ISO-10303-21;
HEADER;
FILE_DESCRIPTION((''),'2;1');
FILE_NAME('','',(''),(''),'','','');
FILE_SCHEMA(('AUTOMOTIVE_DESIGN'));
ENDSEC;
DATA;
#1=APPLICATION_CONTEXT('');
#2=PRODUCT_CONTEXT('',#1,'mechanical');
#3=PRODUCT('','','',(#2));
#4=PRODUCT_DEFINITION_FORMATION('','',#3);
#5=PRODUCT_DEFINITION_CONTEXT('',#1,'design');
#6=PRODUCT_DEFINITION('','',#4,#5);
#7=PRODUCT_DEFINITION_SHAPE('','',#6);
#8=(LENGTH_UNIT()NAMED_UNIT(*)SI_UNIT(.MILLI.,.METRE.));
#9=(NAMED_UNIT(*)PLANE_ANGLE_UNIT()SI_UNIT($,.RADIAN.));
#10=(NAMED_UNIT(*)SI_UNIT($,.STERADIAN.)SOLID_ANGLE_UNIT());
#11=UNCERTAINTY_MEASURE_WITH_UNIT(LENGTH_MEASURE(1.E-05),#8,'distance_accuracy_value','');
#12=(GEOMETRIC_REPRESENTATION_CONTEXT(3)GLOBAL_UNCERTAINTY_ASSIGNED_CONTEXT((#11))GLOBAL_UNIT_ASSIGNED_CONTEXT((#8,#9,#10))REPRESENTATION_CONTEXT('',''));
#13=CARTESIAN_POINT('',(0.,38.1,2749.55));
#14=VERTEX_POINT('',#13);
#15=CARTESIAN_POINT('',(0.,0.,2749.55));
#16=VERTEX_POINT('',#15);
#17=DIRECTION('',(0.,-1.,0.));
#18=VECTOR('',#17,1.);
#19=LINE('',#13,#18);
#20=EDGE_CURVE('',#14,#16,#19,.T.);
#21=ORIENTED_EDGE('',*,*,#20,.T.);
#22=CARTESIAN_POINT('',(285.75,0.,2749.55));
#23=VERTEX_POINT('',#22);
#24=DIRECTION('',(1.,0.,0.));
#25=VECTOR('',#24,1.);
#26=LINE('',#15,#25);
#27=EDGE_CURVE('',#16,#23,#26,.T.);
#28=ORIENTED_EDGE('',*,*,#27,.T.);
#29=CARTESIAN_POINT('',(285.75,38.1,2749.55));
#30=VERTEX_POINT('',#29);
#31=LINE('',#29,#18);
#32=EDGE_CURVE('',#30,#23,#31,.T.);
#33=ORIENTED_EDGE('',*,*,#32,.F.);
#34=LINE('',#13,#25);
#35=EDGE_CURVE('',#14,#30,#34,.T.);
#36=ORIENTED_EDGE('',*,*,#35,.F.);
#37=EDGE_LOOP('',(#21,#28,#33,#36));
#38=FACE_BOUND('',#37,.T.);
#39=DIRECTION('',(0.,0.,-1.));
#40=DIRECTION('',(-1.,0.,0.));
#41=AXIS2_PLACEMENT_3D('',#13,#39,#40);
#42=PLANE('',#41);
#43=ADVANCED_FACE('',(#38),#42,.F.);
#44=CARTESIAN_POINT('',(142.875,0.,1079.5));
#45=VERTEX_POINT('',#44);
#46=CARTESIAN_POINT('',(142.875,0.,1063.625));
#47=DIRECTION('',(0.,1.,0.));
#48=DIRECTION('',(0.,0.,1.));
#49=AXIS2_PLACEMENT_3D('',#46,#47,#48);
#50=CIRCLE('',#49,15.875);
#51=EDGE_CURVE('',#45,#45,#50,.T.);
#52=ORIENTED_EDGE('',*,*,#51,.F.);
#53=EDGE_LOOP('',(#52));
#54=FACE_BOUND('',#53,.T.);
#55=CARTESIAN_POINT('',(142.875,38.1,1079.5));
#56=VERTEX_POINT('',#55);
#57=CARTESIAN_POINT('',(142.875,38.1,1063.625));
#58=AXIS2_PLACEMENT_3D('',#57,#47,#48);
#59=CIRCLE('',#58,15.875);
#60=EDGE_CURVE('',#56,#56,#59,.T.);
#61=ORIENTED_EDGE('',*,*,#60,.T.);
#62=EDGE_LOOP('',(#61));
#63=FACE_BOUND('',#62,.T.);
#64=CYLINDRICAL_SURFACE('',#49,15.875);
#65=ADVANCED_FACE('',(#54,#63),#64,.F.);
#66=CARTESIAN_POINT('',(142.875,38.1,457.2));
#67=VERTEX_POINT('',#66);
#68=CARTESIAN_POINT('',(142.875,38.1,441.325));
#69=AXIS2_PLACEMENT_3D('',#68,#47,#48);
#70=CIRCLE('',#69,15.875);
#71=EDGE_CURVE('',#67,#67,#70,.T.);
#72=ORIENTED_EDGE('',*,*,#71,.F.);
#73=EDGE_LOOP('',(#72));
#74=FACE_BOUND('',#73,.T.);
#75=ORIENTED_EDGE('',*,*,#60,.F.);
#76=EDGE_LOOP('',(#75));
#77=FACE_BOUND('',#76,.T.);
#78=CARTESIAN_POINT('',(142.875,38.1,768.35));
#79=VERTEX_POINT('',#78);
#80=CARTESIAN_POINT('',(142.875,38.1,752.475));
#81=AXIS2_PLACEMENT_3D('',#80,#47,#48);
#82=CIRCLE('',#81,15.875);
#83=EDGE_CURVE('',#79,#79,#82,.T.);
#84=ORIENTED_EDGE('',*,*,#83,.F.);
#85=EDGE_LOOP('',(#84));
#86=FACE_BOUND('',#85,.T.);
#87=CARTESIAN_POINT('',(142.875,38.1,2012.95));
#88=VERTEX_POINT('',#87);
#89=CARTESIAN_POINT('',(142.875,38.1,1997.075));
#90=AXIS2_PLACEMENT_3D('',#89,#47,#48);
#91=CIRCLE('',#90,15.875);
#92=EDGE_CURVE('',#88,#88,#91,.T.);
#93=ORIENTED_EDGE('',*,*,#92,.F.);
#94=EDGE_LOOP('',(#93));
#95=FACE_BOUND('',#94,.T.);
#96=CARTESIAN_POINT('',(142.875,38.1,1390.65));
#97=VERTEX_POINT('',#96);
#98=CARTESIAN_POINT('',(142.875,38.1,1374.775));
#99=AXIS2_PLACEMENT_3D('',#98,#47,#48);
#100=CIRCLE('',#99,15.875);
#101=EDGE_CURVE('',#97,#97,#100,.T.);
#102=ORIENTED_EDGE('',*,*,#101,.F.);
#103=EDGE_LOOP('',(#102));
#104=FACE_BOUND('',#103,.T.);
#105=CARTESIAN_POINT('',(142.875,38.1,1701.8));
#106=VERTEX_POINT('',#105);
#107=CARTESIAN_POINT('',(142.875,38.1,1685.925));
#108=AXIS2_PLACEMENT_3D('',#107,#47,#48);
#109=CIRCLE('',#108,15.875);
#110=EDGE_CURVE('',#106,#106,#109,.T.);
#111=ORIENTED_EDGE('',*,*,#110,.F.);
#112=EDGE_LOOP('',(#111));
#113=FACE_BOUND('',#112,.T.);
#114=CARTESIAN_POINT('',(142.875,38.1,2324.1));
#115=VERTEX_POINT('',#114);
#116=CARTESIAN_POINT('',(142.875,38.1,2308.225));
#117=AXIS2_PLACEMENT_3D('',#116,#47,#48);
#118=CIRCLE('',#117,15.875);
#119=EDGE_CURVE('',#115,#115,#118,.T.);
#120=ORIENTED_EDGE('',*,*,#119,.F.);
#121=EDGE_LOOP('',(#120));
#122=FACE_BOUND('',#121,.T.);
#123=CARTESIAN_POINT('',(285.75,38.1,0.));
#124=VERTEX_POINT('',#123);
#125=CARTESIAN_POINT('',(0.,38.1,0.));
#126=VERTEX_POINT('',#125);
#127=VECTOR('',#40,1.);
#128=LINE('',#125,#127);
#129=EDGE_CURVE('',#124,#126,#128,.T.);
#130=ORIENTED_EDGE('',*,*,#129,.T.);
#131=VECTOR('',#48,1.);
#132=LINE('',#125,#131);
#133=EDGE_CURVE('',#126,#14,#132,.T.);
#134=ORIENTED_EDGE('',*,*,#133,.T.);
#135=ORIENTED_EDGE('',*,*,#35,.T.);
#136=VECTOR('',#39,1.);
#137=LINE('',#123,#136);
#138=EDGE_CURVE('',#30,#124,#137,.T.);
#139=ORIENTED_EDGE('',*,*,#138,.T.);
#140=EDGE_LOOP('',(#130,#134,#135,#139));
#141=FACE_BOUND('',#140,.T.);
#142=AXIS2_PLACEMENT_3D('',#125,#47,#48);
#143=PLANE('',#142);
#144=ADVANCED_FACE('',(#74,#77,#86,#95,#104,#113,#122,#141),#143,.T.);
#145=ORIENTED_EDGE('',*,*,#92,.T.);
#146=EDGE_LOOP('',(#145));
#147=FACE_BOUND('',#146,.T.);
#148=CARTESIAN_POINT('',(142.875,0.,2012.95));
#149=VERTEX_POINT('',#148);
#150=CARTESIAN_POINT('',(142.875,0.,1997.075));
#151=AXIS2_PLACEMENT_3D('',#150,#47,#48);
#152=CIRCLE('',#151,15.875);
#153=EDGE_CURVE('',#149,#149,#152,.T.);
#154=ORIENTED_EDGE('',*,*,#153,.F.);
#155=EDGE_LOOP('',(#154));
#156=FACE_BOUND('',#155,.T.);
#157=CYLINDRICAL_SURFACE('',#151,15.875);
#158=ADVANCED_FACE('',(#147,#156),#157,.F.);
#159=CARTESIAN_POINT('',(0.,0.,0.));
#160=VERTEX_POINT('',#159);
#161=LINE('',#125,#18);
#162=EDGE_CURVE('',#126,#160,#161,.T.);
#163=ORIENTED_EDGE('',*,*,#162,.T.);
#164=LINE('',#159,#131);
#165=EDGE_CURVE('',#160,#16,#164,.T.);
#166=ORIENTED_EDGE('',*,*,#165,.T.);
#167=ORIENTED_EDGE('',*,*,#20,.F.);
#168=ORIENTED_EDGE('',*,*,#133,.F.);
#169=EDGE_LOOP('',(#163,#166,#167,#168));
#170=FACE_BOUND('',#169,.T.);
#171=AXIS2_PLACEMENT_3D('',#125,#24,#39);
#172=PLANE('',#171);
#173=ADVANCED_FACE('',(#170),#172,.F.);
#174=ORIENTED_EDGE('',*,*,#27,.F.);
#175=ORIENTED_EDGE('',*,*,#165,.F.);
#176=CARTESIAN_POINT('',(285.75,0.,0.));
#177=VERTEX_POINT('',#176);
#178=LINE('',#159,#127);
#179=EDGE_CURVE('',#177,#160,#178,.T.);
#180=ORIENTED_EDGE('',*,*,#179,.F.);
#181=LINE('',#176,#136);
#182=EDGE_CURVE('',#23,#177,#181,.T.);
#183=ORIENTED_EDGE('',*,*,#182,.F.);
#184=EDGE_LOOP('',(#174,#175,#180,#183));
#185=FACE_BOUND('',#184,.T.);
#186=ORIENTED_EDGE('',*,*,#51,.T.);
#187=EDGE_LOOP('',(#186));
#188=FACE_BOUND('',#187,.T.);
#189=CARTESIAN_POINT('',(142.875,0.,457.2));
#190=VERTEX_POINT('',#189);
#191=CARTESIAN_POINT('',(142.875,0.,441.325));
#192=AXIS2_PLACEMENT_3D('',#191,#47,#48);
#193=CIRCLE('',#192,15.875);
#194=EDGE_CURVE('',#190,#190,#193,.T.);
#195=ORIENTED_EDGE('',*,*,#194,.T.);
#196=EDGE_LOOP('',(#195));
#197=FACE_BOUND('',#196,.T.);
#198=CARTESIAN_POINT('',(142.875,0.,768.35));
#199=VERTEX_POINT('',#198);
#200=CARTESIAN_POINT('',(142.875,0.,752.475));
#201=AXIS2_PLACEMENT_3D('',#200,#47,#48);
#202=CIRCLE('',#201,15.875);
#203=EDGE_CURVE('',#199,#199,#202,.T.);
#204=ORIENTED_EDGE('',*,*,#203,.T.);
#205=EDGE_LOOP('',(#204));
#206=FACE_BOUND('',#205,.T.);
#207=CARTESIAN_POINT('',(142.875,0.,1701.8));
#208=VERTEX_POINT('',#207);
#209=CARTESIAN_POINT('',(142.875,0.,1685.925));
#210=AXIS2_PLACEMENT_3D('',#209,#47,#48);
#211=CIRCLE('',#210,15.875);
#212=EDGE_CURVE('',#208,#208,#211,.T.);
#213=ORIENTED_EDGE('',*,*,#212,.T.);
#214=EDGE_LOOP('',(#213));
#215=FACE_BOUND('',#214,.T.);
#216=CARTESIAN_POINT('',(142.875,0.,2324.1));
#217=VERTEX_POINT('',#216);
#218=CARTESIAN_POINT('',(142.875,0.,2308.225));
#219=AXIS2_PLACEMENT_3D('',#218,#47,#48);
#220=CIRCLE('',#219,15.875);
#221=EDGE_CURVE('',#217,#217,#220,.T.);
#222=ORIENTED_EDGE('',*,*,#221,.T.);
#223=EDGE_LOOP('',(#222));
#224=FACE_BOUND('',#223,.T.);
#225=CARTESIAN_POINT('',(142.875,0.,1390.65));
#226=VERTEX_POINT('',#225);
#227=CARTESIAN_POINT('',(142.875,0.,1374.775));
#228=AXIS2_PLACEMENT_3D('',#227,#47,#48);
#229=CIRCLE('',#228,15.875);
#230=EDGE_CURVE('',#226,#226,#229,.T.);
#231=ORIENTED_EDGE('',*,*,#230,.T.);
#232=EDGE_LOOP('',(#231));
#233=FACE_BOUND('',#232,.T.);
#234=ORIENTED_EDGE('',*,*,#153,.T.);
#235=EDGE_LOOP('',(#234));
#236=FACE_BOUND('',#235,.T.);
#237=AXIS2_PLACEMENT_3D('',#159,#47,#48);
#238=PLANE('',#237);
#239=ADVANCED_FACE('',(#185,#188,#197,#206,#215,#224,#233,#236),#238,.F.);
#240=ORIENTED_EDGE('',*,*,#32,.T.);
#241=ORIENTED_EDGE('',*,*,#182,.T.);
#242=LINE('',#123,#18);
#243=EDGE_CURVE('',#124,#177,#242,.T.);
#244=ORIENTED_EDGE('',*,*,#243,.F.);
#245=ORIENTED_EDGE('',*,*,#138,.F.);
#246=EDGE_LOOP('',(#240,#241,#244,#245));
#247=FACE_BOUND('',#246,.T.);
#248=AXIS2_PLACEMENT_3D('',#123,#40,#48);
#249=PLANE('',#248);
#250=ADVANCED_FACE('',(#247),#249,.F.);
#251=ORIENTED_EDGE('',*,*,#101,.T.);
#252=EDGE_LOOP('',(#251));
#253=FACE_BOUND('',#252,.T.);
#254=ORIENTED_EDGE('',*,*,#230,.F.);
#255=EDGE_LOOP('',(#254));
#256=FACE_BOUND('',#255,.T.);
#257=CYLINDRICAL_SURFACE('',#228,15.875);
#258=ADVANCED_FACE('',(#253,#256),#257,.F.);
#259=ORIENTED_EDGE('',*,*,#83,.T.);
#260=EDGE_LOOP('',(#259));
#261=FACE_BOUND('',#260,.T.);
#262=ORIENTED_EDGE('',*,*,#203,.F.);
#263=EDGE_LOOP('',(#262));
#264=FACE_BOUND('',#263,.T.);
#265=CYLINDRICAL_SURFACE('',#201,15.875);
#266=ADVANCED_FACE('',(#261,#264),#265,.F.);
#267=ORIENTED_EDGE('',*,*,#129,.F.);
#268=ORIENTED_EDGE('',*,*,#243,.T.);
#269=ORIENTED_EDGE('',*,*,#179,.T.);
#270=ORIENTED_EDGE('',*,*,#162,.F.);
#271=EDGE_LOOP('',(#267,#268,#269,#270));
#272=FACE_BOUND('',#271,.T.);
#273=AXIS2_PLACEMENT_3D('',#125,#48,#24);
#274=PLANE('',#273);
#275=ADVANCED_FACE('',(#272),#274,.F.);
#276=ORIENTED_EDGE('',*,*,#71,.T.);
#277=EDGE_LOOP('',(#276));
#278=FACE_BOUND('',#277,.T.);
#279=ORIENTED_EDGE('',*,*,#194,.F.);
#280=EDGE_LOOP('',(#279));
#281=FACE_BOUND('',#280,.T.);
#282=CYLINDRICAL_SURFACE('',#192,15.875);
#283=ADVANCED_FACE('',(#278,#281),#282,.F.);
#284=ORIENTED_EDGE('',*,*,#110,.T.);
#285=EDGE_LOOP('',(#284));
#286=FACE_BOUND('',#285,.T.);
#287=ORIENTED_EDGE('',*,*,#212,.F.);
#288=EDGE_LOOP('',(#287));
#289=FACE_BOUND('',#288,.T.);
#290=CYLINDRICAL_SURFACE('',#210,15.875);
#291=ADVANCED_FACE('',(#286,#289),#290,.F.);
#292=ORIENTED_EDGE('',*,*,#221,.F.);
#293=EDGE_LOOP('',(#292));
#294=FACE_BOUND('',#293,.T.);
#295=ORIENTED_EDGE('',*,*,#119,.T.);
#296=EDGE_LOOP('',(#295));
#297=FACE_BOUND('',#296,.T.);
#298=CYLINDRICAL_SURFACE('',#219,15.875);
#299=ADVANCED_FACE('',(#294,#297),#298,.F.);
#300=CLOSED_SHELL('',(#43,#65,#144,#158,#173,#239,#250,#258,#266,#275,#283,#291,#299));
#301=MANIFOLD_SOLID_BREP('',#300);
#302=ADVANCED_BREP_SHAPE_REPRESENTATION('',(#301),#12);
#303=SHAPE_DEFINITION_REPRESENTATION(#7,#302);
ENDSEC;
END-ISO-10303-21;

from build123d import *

# Parameters (mm, degrees)
SKETCH1_W           = 285.75
SKETCH1_H           = 2749.55
BOSS_EXTRUDE1_DEPTH = 38.1
SKETCH3_R           = 15.875
CUT_EXTRUDE1_DEPTH  = 39.1


with BuildPart() as part:
    # Sketch1 → Boss-Extrude1 (new body)
    with BuildSketch(Plane(origin=(0, 0, 0), x_dir=(1, 0, 0), z_dir=(0, 1, 0))):
        with Locations((142.875, -1374.775)):
            Rectangle(SKETCH1_W, SKETCH1_H)
    extrude(amount=BOSS_EXTRUDE1_DEPTH)

    # Sketch3 → Cut-Extrude1 (cut, through all)
    with BuildSketch(Plane(origin=(0, 38.1, 0), x_dir=(1, 0, 0), z_dir=(0, 1, 0))):
        with Locations((142.875, -2308.225)):
            Circle(SKETCH3_R)
        with Locations((142.875, -1997.075)):
            Circle(SKETCH3_R)
        with Locations((142.875, -1685.925)):
            Circle(SKETCH3_R)
        with Locations((142.875, -1374.775)):
            Circle(SKETCH3_R)
        with Locations((142.875, -1063.625)):
            Circle(SKETCH3_R)
        with Locations((142.875, -752.475)):
            Circle(SKETCH3_R)
        with Locations((142.875, -441.325)):
            Circle(SKETCH3_R)
    extrude(amount=-CUT_EXTRUDE1_DEPTH, mode=Mode.SUBTRACT)


solid = part.part
